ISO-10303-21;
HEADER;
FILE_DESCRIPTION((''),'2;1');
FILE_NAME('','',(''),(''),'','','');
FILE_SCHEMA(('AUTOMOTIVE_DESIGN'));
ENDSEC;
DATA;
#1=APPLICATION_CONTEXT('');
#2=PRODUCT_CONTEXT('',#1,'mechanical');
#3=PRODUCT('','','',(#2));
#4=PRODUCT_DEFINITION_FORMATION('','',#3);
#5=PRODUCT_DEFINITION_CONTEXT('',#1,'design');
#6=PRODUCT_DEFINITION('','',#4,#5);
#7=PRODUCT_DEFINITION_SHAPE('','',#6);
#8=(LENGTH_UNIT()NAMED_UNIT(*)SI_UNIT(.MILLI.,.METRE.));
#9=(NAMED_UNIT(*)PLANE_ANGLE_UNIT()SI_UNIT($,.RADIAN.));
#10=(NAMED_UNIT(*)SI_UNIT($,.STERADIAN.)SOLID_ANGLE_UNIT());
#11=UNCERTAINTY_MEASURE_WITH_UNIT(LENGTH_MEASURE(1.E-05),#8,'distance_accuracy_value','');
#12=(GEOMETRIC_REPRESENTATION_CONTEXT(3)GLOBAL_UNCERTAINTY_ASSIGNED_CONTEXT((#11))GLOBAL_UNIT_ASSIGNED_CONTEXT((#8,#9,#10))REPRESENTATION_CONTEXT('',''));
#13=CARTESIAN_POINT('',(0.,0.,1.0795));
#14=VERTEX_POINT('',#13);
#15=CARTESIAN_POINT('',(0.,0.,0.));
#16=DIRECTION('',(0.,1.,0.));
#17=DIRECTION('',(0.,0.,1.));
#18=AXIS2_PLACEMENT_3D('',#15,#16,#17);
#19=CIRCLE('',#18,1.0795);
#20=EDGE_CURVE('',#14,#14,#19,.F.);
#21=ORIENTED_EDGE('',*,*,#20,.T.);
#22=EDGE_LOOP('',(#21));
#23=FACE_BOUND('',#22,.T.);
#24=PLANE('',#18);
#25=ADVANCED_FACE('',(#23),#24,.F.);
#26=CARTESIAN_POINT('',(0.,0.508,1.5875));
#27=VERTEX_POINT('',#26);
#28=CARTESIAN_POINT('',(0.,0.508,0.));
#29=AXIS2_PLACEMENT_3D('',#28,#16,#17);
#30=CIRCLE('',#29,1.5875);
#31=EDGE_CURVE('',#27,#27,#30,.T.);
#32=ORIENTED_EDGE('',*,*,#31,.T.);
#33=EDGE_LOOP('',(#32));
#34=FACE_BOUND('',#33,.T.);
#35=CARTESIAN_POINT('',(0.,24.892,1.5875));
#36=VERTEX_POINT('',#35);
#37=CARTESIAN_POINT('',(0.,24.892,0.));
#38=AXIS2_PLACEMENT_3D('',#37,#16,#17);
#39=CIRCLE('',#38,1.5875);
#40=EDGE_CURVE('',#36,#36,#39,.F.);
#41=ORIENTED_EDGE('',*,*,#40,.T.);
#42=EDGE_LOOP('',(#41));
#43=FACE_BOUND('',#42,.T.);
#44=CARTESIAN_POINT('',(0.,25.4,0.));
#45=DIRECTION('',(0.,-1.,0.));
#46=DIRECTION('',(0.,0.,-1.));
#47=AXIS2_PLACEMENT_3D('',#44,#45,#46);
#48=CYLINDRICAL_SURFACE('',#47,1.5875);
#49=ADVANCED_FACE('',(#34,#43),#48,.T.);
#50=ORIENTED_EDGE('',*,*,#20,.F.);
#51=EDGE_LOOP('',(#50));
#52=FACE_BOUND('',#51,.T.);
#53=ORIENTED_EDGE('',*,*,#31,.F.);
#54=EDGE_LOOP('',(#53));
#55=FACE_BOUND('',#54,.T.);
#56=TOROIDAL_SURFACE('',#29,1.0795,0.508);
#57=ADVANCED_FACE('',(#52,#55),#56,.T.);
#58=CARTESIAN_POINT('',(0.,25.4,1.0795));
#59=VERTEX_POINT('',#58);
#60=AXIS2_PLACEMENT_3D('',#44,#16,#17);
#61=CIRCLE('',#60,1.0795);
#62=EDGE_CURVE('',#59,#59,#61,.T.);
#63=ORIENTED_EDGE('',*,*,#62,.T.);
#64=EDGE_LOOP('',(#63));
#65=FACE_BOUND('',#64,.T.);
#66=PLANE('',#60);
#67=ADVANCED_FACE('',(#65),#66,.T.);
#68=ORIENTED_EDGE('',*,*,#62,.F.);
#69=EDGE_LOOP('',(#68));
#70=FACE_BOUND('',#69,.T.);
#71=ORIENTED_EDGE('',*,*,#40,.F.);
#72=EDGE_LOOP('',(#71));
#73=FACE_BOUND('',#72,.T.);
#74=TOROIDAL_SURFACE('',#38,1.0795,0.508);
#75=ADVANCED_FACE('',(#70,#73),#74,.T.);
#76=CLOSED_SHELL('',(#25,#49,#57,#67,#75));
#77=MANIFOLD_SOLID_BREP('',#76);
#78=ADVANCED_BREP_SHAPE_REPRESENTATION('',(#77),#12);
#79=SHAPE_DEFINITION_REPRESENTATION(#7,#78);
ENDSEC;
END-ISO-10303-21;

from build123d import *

# Parameters (mm, degrees)
SKETCH1_R      = 1.5875
EXTRUDE1_DEPTH = 25.4
FILLET1_R      = 0.508


with BuildPart() as part:
    # Sketch1 → Extrude1 (new body)
    with BuildSketch(Plane(origin=(0, 0, 0), x_dir=(1, 0, 0), z_dir=(0, 1, 0))):
        with Locations(Location((0, 0, 0), (0, 0, 270))):  # turned: the seam where the file's is
            Circle(SKETCH1_R)
    extrude(amount=EXTRUDE1_DEPTH)

    # Fillet1
    fillet1_edges = [part.edges().sort_by_distance(p)[0] for p in [
        (0, 0, -1.5875),
        (0, 25.4, -1.5875),
    ]]
    fillet(fillet1_edges, radius=FILLET1_R)


solid = part.part
